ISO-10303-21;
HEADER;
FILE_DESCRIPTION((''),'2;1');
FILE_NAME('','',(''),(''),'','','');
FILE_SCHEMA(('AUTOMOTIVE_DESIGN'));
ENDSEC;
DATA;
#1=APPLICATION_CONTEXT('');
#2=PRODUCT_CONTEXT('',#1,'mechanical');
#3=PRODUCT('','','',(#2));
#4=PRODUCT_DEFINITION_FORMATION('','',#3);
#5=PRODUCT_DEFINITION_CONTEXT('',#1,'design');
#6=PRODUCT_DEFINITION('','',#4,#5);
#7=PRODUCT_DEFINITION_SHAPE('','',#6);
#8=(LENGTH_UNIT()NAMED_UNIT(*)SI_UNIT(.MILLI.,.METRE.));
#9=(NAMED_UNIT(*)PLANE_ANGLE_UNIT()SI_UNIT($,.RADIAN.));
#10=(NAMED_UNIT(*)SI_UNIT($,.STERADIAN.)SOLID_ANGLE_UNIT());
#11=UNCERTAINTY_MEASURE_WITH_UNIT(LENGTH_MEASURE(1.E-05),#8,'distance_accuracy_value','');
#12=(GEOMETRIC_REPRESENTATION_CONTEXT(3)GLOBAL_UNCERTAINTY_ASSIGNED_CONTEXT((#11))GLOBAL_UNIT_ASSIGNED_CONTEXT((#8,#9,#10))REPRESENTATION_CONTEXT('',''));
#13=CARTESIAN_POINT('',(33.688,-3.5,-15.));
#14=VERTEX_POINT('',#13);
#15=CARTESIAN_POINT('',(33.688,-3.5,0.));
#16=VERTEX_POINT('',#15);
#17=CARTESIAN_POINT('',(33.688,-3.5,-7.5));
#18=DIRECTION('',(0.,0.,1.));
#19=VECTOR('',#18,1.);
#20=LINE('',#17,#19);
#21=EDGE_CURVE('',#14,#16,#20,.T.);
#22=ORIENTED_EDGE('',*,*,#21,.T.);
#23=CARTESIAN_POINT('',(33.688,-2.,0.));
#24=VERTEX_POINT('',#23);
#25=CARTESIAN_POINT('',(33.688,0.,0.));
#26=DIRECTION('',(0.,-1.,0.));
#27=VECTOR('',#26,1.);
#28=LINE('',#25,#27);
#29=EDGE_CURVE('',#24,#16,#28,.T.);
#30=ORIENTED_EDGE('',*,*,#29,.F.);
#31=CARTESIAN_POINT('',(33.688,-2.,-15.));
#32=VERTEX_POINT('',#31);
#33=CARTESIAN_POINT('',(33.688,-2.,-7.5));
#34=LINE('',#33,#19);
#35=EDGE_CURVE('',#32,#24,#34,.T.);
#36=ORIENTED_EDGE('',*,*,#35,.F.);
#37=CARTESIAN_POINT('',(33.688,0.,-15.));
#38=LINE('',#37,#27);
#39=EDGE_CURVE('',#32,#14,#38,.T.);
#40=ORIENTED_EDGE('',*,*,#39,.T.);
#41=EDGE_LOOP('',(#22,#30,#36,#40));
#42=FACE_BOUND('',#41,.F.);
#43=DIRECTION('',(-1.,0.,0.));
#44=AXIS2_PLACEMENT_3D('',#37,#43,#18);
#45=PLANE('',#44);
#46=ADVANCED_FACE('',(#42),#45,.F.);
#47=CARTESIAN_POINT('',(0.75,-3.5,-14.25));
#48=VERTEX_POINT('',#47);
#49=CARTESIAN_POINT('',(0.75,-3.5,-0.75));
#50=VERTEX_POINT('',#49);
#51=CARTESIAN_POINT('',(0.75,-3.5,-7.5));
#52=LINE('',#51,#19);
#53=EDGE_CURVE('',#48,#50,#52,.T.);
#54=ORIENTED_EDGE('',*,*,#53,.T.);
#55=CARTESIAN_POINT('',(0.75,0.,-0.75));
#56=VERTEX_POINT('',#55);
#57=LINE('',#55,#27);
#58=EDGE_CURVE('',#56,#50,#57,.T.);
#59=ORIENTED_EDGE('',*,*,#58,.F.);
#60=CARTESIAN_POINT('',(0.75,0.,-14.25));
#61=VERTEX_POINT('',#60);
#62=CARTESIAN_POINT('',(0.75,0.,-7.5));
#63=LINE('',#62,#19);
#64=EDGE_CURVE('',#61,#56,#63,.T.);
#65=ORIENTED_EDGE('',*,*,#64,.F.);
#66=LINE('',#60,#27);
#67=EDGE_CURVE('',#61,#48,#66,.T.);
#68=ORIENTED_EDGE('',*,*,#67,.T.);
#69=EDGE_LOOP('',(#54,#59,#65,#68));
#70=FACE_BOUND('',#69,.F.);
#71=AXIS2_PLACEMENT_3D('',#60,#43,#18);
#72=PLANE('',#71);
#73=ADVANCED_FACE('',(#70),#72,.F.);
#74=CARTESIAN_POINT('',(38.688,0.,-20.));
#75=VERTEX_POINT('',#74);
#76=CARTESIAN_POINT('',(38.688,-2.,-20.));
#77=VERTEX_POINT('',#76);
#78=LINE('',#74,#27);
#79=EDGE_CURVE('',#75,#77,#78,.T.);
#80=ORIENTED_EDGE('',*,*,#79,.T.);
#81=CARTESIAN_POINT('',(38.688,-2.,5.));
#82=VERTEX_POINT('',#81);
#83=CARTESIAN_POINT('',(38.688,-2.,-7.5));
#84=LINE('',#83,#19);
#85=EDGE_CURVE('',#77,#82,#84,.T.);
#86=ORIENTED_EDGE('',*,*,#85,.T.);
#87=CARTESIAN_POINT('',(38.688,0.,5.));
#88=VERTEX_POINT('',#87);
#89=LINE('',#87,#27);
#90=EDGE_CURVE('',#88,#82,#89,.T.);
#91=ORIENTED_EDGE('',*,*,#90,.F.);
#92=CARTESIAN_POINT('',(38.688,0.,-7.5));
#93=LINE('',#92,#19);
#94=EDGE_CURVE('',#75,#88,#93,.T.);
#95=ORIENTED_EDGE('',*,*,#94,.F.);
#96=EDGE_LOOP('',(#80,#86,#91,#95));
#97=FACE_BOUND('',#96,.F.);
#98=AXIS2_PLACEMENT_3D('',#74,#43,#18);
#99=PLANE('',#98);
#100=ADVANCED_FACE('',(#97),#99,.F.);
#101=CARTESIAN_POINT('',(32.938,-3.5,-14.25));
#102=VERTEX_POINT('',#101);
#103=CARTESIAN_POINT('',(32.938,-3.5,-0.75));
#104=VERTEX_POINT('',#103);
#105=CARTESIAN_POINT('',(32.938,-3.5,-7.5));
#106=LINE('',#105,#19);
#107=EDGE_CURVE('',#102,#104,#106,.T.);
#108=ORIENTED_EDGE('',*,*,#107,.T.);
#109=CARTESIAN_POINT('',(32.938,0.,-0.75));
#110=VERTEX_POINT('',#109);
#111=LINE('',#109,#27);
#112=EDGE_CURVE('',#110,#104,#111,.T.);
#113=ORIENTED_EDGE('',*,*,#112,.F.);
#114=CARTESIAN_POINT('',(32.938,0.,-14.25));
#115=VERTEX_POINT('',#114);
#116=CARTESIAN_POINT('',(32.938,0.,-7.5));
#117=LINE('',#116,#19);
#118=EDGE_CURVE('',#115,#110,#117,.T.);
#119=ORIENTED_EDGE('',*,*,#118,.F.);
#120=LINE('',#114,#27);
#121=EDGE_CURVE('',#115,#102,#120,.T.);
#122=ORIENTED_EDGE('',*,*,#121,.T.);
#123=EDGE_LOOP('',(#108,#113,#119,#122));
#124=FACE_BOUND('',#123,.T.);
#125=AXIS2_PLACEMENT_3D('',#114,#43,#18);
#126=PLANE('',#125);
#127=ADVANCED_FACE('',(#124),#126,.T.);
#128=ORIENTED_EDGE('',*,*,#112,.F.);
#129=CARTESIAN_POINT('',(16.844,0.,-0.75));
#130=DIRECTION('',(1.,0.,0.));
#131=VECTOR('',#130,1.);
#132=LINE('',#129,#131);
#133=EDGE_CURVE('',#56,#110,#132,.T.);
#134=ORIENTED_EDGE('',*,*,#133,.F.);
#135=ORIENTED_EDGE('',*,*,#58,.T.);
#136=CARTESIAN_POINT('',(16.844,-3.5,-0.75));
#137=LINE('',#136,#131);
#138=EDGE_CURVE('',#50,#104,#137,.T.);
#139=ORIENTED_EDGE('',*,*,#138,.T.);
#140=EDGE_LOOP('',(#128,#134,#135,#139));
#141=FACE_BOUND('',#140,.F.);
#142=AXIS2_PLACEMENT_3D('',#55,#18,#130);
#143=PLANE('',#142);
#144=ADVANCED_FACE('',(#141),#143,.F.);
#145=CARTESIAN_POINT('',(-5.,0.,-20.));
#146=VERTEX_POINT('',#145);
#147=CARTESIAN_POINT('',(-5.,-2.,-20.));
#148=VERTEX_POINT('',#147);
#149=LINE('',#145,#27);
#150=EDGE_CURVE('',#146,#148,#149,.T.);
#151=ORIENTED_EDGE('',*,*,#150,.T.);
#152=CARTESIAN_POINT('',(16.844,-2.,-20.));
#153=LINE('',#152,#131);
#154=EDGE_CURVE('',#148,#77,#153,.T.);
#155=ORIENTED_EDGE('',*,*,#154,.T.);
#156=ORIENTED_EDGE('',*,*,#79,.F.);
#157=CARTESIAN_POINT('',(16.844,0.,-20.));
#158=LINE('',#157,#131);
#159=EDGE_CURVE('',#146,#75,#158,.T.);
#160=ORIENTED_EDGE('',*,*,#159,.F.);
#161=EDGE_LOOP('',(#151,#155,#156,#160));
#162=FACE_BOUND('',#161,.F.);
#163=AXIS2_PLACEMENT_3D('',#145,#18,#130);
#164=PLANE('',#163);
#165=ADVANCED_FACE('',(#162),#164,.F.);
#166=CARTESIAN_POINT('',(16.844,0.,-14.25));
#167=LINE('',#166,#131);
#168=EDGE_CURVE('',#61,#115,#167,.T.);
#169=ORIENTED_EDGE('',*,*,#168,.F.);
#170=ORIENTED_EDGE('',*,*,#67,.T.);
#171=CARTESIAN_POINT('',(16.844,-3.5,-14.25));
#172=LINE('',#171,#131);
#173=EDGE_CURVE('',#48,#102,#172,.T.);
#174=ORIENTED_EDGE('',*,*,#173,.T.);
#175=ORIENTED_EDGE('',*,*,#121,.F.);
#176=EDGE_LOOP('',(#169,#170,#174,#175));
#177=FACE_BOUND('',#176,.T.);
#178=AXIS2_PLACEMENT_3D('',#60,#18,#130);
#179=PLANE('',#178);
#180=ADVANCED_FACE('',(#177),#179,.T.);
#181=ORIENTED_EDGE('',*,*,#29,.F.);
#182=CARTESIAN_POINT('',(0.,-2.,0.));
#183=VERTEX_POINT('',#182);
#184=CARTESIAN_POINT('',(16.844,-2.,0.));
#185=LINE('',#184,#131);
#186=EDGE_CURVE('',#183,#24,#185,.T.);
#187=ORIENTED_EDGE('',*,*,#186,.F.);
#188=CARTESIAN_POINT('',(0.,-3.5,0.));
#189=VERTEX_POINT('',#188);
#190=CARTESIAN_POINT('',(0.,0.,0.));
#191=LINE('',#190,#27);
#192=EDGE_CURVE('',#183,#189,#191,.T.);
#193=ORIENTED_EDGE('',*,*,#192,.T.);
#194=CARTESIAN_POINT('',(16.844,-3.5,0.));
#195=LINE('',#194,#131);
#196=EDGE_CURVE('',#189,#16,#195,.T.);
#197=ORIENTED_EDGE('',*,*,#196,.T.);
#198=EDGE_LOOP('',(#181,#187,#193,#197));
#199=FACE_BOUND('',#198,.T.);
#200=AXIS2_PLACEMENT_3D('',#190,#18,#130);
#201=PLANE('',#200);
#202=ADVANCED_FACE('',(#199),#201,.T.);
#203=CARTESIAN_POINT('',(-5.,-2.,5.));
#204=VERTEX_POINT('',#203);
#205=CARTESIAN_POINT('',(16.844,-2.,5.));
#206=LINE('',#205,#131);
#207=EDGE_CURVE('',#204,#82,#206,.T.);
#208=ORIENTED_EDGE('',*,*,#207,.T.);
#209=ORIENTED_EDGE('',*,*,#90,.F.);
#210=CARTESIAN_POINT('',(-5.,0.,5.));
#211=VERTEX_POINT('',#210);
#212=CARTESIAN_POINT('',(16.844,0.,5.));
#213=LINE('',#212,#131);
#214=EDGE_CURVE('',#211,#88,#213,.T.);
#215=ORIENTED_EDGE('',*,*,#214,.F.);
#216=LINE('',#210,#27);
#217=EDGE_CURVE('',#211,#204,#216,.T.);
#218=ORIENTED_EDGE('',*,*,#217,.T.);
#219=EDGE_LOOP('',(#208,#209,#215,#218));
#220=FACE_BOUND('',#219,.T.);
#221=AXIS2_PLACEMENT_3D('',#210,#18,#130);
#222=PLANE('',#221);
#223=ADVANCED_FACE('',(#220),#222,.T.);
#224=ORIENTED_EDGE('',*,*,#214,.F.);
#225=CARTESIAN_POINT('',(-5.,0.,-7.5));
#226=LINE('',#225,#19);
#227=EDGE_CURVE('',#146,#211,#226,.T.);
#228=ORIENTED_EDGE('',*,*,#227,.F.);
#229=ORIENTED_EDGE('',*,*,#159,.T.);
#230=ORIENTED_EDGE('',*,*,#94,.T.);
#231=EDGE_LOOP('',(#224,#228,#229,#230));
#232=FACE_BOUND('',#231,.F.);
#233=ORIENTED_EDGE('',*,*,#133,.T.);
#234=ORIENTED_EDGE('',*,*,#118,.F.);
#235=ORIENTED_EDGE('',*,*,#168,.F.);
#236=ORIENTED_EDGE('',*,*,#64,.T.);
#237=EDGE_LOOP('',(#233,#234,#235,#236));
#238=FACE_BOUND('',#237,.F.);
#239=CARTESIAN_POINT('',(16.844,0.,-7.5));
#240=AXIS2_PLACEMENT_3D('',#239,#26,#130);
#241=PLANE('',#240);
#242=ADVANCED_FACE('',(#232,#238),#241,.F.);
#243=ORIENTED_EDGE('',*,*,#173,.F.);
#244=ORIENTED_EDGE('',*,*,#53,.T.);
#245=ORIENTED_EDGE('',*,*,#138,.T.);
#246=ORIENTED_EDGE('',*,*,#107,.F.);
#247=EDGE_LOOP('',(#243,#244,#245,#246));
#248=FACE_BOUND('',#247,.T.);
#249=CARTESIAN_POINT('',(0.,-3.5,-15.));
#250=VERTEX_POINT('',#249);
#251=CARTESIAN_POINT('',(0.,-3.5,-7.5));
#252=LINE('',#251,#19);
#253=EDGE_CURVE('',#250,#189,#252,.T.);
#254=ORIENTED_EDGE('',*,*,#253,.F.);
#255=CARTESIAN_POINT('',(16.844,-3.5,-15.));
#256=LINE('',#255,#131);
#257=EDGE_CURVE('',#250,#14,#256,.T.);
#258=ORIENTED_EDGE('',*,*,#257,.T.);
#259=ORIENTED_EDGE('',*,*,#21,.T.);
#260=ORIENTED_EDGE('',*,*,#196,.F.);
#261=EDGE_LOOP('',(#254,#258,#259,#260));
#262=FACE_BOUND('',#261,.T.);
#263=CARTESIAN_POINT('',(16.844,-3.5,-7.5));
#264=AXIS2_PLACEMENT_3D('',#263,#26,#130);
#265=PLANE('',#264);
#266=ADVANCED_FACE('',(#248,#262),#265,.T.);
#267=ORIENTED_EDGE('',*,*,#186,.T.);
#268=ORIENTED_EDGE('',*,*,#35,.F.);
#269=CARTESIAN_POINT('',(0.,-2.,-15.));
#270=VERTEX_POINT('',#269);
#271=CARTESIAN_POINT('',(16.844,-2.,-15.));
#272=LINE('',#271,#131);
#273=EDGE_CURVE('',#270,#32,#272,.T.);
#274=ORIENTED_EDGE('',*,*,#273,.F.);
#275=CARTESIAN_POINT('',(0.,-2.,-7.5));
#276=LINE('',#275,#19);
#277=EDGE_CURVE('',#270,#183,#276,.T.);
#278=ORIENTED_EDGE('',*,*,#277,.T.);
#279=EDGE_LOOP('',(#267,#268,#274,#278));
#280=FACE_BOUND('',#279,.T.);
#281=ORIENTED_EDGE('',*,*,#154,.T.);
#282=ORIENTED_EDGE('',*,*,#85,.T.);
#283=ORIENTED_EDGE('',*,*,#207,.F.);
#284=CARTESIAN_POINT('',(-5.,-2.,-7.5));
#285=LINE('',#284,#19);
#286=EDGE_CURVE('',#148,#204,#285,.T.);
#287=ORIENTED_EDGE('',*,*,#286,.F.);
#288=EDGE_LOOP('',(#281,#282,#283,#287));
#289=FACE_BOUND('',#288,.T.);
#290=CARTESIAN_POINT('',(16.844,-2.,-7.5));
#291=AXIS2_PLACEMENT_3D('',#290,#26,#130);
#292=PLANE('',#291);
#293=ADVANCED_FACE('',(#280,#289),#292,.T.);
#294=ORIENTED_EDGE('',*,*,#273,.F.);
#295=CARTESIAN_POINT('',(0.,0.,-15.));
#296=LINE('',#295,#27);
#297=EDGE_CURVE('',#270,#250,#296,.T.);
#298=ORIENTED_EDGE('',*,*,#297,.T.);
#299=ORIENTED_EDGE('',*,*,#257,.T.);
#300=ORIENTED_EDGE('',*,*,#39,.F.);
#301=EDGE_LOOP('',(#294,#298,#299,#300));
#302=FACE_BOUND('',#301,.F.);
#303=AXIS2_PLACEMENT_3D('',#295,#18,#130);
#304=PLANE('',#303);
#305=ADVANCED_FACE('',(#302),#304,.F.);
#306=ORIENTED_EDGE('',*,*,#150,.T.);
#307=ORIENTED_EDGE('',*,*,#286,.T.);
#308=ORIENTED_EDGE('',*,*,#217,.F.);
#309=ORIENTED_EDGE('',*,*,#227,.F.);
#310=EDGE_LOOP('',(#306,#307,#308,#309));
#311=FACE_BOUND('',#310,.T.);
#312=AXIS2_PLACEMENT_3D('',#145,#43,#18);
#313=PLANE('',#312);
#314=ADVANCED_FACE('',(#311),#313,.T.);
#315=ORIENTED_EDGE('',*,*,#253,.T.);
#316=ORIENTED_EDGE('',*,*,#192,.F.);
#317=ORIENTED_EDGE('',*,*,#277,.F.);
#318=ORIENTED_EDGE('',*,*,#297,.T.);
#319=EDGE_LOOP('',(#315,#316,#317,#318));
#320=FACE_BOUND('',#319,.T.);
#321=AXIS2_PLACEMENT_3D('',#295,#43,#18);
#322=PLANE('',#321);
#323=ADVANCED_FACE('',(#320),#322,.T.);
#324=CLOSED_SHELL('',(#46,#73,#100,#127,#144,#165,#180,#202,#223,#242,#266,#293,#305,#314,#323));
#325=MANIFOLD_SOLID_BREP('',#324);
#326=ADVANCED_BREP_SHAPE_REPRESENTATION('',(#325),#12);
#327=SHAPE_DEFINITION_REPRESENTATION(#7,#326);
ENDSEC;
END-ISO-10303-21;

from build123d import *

# Parameters (mm, degrees)
F0_W     = 33.688
F0_H     = 15
F0_W_2   = 32.188
F0_H_2   = 13.5
F1_DEPTH = 3.5
F0_W_3   = 43.688
F0_H_3   = 25
F2_DEPTH = 2


with BuildPart() as f1:
    # F0 (on Front) → F1 (new body)
    with BuildSketch(Plane.XZ):
        with Locations((16.844, -7.5)):
            Rectangle(F0_W, F0_H)
        with Locations((16.844, -7.5)):
            Rectangle(F0_W_2, F0_H_2, mode=Mode.SUBTRACT)
    extrude(amount=F1_DEPTH)

    # F0 (on Front) → F2 (join)
    with BuildSketch(Plane.XZ):
        with Locations((16.844, -7.5)):
            Rectangle(F0_W_3, F0_H_3)
        with Locations((16.844, -7.5)):
            Rectangle(F0_W, F0_H, mode=Mode.SUBTRACT)
    extrude(amount=F2_DEPTH)


solid = f1.part
